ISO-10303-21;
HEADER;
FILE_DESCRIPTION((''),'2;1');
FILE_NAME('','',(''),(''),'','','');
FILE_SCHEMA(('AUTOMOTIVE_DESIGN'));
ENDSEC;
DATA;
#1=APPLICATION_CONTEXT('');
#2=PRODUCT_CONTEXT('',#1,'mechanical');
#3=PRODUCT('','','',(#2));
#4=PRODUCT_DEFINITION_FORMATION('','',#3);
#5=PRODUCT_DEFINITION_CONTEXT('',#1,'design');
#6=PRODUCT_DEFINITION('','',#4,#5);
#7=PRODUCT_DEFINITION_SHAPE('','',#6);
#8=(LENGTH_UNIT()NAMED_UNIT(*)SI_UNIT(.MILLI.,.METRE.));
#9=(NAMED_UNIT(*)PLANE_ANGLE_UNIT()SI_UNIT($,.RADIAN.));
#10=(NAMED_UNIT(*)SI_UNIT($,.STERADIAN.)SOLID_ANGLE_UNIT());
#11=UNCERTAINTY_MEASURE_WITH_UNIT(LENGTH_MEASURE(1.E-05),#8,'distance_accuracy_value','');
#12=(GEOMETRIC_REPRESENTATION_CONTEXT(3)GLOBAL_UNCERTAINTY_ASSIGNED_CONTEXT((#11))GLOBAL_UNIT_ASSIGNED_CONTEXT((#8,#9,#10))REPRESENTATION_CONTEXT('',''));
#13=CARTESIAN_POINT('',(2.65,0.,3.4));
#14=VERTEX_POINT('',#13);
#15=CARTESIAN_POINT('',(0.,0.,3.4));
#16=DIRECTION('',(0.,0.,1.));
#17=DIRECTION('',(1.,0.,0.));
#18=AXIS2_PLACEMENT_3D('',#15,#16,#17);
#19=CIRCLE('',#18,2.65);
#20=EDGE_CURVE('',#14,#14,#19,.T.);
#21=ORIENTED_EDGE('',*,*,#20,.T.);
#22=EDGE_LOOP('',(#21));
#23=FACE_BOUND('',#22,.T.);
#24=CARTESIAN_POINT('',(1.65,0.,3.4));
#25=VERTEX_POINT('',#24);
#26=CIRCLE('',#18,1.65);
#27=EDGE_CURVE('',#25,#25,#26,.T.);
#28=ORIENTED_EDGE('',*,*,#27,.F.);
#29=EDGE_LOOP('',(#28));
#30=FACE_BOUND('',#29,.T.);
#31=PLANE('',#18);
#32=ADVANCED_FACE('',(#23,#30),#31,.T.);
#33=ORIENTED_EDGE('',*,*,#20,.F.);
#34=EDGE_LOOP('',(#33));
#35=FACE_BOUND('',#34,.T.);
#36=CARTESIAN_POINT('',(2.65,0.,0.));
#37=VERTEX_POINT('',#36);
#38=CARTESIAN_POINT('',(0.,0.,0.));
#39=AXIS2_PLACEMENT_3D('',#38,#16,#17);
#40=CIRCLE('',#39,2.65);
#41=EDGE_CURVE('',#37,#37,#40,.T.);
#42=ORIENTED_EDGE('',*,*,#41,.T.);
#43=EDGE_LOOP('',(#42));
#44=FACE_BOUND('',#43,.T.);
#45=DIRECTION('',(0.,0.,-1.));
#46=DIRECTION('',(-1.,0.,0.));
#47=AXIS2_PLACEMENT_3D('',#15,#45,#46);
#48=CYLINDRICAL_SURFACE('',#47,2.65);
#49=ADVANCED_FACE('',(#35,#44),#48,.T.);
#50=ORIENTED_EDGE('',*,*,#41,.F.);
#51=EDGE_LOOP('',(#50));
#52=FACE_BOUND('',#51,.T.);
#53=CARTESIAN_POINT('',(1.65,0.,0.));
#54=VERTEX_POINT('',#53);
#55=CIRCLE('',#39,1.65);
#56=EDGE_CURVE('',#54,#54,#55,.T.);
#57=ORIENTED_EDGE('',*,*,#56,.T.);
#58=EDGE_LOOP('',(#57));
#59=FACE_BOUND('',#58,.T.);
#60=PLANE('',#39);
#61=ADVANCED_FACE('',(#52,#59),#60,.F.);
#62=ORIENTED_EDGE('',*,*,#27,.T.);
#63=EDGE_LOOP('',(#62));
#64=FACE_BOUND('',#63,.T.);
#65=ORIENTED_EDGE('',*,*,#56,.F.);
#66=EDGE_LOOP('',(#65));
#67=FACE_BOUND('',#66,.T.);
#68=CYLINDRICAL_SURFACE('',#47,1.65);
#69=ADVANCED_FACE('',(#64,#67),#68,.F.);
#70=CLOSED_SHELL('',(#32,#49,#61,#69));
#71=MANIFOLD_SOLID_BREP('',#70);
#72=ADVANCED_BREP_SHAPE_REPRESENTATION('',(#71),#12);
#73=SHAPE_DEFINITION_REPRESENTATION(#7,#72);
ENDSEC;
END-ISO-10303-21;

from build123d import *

# Parameters (mm, degrees)
SKETCH_1_R      = 2.65
SKETCH_1_R_2    = 1.65
EXTRUDE_1_DEPTH = 3.4


with BuildPart() as part:
    # Эскиз1 → Бобышка-Вытянуть1 (new body)
    with BuildSketch(Plane.XY):
        Circle(SKETCH_1_R)
        Circle(SKETCH_1_R_2, mode=Mode.SUBTRACT)
    extrude(amount=EXTRUDE_1_DEPTH)


solid = part.part
